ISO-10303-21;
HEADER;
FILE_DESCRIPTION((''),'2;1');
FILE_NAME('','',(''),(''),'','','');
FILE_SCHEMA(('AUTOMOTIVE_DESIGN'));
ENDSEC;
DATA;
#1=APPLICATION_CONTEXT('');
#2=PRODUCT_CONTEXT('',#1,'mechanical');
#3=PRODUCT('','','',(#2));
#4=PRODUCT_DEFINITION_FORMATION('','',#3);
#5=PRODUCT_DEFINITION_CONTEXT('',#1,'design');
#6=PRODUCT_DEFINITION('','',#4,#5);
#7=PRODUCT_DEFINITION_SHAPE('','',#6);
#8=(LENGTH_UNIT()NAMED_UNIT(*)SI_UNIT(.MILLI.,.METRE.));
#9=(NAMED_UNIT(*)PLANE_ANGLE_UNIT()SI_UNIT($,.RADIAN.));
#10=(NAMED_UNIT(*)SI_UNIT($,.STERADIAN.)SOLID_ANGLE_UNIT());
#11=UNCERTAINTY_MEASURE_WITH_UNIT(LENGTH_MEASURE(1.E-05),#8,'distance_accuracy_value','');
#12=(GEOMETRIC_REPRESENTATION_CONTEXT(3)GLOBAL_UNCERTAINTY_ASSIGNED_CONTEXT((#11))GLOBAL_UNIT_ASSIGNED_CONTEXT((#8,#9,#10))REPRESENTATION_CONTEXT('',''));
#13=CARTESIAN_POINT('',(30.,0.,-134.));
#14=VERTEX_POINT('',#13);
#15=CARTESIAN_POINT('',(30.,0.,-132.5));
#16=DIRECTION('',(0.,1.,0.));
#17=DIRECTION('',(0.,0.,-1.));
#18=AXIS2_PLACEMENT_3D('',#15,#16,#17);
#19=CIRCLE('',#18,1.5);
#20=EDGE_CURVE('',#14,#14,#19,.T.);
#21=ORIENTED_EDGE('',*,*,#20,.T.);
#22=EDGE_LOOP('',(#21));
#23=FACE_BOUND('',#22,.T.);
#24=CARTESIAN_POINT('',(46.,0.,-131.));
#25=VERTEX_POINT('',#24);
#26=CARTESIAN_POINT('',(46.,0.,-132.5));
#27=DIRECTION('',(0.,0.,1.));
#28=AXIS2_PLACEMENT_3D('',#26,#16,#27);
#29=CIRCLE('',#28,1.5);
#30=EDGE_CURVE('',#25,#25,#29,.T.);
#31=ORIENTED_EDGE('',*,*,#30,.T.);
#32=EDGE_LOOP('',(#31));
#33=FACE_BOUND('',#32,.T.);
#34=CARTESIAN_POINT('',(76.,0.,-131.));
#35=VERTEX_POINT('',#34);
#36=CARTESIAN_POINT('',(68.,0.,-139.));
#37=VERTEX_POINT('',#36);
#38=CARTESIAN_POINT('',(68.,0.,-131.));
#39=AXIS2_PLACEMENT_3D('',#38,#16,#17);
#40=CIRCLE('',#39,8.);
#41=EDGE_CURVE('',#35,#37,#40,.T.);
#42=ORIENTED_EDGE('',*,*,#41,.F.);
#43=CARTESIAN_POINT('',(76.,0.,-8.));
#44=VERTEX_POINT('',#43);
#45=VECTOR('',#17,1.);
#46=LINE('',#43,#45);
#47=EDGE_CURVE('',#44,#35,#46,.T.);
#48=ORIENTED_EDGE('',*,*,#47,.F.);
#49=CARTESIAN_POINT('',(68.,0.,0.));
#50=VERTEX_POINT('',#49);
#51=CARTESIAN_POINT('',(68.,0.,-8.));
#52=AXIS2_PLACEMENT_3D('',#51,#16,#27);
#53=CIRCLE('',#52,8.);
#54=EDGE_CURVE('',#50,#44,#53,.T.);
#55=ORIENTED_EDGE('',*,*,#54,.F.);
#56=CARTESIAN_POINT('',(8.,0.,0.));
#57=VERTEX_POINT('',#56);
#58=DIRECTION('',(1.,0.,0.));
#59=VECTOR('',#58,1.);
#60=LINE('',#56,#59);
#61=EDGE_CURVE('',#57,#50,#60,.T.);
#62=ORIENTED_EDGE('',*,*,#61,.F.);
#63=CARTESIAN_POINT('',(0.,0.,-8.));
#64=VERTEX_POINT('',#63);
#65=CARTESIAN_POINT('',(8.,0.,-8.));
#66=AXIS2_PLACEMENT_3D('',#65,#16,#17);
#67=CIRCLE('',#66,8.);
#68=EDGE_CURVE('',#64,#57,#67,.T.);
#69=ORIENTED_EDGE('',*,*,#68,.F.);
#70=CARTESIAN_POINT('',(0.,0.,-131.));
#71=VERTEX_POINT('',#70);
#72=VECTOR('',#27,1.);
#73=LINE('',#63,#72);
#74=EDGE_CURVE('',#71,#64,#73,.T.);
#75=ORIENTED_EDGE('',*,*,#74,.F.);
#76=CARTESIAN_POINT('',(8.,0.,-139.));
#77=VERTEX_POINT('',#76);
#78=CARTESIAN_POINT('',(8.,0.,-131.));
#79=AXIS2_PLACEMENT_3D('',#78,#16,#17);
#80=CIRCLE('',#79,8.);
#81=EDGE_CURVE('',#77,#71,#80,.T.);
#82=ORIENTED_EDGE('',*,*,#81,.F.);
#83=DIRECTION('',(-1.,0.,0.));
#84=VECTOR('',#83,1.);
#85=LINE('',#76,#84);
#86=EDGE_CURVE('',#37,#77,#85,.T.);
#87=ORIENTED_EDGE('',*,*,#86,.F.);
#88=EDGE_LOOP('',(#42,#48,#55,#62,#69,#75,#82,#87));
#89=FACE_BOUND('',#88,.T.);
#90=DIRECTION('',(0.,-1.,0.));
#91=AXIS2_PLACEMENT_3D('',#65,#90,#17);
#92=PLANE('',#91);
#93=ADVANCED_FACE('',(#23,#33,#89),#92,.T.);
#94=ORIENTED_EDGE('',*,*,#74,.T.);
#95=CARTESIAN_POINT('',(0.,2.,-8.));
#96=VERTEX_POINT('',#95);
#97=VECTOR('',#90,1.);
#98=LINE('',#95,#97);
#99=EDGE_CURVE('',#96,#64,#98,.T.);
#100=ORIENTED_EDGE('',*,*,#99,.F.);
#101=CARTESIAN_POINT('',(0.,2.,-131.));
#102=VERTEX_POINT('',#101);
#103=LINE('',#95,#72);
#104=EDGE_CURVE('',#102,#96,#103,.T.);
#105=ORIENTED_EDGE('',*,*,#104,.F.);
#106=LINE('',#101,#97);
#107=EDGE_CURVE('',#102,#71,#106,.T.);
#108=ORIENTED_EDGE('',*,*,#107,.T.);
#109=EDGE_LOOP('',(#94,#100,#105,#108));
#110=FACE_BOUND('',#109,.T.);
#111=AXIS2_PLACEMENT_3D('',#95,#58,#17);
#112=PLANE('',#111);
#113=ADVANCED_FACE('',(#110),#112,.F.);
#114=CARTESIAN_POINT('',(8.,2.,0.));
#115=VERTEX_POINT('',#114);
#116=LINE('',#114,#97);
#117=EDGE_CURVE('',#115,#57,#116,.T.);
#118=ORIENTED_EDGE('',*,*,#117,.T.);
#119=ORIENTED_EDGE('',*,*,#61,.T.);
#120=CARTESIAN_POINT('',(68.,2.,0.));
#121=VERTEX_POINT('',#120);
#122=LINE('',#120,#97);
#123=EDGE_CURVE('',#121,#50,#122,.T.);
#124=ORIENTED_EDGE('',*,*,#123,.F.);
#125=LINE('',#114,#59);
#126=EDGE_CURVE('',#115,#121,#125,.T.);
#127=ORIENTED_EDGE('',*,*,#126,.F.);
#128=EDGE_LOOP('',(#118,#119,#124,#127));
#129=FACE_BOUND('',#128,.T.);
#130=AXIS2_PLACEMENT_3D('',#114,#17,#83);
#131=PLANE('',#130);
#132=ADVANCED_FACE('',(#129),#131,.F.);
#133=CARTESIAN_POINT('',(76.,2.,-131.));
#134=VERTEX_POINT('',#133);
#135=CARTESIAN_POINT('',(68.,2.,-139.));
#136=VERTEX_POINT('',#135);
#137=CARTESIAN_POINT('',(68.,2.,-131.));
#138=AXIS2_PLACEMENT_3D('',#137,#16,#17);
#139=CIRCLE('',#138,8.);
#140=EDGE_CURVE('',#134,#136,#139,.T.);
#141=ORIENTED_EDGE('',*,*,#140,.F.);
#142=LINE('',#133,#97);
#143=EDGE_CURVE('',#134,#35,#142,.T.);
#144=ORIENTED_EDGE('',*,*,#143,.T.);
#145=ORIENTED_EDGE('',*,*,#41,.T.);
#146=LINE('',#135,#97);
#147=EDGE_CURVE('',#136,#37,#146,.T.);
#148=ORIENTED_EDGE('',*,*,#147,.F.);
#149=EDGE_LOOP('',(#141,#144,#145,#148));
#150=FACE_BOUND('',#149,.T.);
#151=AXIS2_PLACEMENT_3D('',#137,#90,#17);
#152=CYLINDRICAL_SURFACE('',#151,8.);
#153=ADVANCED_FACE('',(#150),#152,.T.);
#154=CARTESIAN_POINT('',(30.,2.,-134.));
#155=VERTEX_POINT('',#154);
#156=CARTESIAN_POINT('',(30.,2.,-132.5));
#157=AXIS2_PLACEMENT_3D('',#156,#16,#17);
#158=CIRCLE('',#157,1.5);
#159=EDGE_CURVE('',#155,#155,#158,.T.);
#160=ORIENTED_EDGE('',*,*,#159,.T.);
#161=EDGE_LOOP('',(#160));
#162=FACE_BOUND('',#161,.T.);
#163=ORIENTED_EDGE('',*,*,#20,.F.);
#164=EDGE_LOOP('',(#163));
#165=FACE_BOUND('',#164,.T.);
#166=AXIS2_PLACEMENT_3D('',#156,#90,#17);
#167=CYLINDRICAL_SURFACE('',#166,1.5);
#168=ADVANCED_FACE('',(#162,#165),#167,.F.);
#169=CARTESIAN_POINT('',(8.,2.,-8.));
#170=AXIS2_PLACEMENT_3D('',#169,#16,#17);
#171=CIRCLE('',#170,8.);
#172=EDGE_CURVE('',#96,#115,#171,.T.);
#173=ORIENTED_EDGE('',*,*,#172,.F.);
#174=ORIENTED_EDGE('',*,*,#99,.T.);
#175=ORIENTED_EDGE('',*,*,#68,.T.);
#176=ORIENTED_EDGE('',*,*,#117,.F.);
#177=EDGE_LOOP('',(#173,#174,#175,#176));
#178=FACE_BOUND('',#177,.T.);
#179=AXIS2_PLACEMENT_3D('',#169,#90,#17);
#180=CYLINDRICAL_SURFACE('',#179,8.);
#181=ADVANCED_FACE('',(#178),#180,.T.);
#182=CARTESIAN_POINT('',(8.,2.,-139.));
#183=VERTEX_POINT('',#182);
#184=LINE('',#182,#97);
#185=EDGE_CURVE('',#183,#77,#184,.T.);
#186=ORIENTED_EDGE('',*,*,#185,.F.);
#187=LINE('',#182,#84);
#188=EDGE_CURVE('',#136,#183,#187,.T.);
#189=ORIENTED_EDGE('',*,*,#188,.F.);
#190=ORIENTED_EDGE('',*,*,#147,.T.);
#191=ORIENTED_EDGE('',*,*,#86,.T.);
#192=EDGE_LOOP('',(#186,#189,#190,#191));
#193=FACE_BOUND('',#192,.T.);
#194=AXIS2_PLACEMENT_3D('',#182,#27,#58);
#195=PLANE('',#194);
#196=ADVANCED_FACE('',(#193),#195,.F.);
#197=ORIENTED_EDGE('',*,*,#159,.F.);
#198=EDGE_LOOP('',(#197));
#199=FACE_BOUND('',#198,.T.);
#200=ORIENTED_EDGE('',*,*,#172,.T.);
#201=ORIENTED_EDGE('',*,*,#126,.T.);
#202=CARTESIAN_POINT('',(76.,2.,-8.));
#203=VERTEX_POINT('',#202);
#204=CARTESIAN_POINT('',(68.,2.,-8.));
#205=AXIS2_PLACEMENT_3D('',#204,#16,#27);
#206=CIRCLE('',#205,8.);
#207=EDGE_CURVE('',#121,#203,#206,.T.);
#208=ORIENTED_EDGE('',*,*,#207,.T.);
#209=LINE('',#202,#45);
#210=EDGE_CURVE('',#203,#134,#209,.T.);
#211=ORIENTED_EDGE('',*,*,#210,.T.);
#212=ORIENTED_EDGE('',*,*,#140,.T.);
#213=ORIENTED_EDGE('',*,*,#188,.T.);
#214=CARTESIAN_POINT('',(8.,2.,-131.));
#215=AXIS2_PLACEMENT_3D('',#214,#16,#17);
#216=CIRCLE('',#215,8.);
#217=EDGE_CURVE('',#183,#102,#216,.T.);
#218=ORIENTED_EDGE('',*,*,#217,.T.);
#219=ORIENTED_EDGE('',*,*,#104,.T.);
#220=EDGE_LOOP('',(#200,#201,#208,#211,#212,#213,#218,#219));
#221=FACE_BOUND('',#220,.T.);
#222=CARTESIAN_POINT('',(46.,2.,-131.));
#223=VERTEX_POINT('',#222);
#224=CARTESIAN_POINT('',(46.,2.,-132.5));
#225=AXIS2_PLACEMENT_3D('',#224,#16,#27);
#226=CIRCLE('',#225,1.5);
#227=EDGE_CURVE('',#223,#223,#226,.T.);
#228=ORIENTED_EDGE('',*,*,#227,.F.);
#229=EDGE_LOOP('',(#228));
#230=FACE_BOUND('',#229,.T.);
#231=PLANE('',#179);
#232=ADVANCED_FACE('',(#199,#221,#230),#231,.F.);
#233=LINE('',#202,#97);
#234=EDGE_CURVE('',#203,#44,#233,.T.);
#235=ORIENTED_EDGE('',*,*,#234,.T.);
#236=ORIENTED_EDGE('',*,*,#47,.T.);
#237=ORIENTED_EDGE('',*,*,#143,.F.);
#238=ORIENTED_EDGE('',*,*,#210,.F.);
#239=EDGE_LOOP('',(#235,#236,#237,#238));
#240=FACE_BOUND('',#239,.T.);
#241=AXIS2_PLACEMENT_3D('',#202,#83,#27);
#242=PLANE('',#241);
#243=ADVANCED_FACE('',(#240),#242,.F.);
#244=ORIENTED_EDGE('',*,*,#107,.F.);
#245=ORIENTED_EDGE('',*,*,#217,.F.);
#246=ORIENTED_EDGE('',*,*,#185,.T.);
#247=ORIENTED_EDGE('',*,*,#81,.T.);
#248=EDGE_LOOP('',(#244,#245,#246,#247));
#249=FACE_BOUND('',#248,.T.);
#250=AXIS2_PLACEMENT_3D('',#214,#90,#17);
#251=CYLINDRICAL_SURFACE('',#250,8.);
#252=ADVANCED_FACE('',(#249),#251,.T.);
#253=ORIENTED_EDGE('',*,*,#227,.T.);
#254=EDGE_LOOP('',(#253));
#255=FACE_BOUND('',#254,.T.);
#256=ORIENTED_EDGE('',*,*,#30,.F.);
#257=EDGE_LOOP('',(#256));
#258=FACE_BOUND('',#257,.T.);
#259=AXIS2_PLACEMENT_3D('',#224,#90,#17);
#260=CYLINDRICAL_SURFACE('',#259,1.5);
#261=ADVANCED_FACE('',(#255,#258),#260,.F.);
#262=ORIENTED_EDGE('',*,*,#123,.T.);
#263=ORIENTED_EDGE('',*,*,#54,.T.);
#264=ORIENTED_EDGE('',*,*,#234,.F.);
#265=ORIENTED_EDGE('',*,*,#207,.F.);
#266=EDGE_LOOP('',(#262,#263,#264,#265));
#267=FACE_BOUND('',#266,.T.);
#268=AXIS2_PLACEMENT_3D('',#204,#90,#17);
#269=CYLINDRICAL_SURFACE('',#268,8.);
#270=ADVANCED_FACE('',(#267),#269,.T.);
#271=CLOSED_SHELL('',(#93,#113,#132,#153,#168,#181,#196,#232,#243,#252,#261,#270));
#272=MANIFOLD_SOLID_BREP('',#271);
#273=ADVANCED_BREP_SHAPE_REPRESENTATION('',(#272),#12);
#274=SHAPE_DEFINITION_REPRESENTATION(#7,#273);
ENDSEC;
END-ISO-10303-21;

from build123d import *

# Parameters (mm, degrees)
SKETCH1_R           = 1.5
BOSS_EXTRUDE1_DEPTH = 2


with BuildPart() as part:
    # Sketch1 → Boss-Extrude1 (new body)
    with BuildSketch(Plane(origin=(0, 0, 0), x_dir=(1, 0, 0), z_dir=(0, 1, 0))):
        with BuildLine():
            Line((8, 0), (68, 0))
            ThreePointArc((68, 0), (73.656854249, 2.343145751), (76, 8))
            Line((76, 8), (76, 131))
            ThreePointArc((76, 131), (73.656854249, 136.656854249), (68, 139))
            Line((68, 139), (8, 139))
            ThreePointArc((8, 139), (2.343145751, 136.656854249), (0, 131))
            Line((0, 131), (0, 8))
            ThreePointArc((0, 8), (2.343145751, 2.343145751), (8, 0))
        make_face()
        with Locations(Location((46, 132.5, 0), (0, 0, 270))):
            Circle(SKETCH1_R, mode=Mode.SUBTRACT)
        with Locations(Location((30, 132.5, 0), (0, 0, 90))):
            Circle(SKETCH1_R, mode=Mode.SUBTRACT)
    extrude(amount=BOSS_EXTRUDE1_DEPTH)


solid = part.part
